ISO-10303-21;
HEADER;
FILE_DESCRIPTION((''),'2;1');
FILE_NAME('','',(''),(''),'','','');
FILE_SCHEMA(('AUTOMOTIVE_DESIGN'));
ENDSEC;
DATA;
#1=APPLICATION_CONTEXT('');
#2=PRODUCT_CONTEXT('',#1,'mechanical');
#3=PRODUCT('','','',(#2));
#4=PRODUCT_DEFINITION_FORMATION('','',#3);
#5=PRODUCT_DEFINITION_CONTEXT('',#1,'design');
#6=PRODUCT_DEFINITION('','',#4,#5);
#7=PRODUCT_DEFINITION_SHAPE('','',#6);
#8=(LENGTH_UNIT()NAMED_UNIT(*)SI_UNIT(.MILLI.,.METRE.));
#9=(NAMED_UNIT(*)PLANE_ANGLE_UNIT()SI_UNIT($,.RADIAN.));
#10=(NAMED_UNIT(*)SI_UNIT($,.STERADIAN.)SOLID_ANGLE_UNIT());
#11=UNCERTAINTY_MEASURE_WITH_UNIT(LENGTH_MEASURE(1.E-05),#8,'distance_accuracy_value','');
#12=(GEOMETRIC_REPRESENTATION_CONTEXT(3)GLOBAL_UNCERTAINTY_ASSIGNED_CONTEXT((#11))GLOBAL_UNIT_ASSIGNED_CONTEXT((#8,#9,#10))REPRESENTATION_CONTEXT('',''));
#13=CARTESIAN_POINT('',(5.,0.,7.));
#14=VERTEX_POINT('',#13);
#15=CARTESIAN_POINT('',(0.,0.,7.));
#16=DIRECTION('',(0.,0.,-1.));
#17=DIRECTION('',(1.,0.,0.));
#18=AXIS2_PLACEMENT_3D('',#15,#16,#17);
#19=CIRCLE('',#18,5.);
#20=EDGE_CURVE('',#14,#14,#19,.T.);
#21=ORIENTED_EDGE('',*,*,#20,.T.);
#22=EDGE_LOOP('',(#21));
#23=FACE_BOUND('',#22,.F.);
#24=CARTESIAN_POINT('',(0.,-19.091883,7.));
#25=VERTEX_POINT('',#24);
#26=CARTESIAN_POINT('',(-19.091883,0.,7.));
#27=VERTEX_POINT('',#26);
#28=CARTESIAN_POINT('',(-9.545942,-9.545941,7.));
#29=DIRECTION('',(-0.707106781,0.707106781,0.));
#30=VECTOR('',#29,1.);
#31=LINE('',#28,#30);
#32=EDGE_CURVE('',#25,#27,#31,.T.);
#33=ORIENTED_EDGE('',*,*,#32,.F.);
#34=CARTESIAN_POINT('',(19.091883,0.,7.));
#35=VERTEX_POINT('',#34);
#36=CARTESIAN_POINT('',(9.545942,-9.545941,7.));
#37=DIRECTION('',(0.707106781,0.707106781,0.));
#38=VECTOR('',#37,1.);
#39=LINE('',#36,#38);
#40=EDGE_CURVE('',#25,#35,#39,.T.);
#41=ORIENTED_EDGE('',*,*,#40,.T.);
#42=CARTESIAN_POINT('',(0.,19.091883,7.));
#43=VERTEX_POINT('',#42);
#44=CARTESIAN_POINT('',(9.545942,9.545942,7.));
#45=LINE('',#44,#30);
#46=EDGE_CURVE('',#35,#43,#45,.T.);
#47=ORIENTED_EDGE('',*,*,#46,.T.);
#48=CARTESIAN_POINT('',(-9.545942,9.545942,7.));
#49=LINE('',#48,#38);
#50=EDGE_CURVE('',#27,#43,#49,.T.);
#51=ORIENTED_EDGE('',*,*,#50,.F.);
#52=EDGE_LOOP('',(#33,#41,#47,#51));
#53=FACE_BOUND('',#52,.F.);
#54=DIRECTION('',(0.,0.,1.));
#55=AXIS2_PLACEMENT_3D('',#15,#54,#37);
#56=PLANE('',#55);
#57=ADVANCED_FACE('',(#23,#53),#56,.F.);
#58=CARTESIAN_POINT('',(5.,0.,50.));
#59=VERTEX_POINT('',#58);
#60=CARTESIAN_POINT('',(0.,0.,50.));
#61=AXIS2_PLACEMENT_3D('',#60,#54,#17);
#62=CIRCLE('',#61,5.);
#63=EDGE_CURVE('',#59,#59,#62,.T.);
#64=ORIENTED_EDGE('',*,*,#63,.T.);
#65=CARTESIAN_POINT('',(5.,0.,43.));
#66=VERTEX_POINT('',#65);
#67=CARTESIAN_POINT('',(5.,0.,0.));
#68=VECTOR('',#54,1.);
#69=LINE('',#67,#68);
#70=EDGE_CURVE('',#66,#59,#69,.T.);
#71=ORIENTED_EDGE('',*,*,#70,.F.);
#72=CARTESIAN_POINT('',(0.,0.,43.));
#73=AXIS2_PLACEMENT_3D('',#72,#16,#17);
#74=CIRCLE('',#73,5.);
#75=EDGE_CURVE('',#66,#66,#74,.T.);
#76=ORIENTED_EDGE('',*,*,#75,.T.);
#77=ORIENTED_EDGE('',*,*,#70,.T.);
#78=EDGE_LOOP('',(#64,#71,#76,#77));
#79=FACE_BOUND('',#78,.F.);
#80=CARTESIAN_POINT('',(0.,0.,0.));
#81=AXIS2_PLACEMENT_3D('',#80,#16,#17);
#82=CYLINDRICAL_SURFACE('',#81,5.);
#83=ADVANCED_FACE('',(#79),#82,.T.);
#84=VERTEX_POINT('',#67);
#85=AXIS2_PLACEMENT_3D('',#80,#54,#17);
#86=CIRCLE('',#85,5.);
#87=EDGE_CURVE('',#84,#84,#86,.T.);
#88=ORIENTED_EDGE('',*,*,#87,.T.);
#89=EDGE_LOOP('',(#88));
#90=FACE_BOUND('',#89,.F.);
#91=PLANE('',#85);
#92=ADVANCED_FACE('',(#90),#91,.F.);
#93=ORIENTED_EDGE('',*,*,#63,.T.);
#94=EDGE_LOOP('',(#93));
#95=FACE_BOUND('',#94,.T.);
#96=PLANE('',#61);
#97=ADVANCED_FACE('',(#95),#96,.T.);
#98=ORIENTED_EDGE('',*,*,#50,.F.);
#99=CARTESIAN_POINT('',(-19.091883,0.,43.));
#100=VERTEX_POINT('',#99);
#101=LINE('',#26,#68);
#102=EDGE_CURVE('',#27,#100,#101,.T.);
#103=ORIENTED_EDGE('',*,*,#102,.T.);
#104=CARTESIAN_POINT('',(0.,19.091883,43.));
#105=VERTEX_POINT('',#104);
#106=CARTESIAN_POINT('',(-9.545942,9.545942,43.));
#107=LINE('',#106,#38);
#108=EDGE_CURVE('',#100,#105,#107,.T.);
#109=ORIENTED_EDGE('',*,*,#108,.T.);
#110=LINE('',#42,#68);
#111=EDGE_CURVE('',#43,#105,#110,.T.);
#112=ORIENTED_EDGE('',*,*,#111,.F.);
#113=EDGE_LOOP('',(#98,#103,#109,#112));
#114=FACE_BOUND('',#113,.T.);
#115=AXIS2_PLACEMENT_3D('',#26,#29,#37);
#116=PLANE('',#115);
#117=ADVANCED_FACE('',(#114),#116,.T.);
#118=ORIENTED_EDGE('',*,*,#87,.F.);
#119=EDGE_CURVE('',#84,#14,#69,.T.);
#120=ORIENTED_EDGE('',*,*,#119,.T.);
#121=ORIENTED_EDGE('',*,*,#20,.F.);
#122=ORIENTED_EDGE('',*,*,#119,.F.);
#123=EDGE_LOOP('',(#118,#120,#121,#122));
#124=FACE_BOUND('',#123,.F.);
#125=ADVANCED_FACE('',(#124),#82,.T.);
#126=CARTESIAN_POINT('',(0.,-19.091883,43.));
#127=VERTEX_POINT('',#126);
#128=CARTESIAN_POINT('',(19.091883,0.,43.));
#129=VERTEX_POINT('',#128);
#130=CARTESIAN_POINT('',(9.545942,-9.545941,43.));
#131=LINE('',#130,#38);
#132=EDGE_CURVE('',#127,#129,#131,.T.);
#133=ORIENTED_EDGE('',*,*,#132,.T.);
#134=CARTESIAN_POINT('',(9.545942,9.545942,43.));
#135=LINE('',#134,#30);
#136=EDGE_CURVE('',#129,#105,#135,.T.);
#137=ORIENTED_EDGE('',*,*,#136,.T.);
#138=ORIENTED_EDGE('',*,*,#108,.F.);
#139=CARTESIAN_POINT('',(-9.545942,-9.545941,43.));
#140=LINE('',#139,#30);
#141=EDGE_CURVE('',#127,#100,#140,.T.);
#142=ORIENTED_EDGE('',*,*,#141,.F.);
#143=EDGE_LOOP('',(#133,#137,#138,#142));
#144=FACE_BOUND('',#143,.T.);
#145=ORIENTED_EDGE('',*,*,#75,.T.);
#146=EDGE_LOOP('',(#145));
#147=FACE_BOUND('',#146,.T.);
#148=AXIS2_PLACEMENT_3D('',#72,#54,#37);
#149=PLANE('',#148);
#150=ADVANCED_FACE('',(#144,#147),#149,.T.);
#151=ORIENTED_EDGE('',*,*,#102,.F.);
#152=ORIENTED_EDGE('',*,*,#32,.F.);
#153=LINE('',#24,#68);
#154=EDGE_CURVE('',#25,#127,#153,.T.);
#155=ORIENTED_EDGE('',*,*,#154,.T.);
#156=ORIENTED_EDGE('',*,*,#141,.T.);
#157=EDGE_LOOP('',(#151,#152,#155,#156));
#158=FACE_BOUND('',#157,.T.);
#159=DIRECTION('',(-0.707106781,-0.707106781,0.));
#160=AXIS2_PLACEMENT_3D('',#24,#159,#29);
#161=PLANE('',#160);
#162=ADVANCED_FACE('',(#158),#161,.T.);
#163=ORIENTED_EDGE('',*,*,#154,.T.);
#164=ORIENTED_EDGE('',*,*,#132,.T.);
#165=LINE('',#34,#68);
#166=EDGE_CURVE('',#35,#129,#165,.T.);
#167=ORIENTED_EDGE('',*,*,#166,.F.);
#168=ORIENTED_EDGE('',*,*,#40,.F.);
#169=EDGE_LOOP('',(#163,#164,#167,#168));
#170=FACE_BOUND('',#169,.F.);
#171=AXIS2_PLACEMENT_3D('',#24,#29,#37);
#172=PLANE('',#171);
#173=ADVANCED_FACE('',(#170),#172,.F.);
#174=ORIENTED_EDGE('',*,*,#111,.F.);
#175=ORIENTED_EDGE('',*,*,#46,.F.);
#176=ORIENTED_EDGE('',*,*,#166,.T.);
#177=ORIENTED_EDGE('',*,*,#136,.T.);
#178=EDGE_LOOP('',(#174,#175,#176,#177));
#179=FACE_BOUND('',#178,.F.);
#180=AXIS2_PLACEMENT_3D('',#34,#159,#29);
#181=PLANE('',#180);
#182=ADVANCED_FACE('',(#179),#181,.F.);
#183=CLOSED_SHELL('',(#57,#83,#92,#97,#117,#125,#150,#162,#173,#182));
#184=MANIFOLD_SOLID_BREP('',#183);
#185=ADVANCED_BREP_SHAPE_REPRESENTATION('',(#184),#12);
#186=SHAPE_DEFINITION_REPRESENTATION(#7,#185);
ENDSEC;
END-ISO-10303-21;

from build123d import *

# Parameters (mm, degrees)
BOX_W               = 27
BOX_H               = 27
BOX_DEPTH           = 36
BOX_PLACEMENT_ANGLE = 45
CYLINDER_R          = 5
CYLINDER_DEPTH      = 50


with BuildPart() as cube:
    # Box → Box (new body)
    with BuildSketch(Plane.XY):
        with Locations((13.5, 13.5)):
            Rectangle(BOX_W, BOX_H)
    extrude(amount=BOX_DEPTH)


with BuildPart() as cube_1:
    # Box placement: moved
    add(cube.part.moved(Location((0, -19.091883, 7))).rotate(Axis((0, -19.091883, 7), (0, 0, 1)), BOX_PLACEMENT_ANGLE))


with BuildPart() as fusion:
    # Cylinder → Cylinder (new body)
    with BuildSketch(Plane.XY):
        Circle(CYLINDER_R)
    extrude(amount=CYLINDER_DEPTH)

    # Fusion: union Cube
    add(cube_1.part)


solid = fusion.part
